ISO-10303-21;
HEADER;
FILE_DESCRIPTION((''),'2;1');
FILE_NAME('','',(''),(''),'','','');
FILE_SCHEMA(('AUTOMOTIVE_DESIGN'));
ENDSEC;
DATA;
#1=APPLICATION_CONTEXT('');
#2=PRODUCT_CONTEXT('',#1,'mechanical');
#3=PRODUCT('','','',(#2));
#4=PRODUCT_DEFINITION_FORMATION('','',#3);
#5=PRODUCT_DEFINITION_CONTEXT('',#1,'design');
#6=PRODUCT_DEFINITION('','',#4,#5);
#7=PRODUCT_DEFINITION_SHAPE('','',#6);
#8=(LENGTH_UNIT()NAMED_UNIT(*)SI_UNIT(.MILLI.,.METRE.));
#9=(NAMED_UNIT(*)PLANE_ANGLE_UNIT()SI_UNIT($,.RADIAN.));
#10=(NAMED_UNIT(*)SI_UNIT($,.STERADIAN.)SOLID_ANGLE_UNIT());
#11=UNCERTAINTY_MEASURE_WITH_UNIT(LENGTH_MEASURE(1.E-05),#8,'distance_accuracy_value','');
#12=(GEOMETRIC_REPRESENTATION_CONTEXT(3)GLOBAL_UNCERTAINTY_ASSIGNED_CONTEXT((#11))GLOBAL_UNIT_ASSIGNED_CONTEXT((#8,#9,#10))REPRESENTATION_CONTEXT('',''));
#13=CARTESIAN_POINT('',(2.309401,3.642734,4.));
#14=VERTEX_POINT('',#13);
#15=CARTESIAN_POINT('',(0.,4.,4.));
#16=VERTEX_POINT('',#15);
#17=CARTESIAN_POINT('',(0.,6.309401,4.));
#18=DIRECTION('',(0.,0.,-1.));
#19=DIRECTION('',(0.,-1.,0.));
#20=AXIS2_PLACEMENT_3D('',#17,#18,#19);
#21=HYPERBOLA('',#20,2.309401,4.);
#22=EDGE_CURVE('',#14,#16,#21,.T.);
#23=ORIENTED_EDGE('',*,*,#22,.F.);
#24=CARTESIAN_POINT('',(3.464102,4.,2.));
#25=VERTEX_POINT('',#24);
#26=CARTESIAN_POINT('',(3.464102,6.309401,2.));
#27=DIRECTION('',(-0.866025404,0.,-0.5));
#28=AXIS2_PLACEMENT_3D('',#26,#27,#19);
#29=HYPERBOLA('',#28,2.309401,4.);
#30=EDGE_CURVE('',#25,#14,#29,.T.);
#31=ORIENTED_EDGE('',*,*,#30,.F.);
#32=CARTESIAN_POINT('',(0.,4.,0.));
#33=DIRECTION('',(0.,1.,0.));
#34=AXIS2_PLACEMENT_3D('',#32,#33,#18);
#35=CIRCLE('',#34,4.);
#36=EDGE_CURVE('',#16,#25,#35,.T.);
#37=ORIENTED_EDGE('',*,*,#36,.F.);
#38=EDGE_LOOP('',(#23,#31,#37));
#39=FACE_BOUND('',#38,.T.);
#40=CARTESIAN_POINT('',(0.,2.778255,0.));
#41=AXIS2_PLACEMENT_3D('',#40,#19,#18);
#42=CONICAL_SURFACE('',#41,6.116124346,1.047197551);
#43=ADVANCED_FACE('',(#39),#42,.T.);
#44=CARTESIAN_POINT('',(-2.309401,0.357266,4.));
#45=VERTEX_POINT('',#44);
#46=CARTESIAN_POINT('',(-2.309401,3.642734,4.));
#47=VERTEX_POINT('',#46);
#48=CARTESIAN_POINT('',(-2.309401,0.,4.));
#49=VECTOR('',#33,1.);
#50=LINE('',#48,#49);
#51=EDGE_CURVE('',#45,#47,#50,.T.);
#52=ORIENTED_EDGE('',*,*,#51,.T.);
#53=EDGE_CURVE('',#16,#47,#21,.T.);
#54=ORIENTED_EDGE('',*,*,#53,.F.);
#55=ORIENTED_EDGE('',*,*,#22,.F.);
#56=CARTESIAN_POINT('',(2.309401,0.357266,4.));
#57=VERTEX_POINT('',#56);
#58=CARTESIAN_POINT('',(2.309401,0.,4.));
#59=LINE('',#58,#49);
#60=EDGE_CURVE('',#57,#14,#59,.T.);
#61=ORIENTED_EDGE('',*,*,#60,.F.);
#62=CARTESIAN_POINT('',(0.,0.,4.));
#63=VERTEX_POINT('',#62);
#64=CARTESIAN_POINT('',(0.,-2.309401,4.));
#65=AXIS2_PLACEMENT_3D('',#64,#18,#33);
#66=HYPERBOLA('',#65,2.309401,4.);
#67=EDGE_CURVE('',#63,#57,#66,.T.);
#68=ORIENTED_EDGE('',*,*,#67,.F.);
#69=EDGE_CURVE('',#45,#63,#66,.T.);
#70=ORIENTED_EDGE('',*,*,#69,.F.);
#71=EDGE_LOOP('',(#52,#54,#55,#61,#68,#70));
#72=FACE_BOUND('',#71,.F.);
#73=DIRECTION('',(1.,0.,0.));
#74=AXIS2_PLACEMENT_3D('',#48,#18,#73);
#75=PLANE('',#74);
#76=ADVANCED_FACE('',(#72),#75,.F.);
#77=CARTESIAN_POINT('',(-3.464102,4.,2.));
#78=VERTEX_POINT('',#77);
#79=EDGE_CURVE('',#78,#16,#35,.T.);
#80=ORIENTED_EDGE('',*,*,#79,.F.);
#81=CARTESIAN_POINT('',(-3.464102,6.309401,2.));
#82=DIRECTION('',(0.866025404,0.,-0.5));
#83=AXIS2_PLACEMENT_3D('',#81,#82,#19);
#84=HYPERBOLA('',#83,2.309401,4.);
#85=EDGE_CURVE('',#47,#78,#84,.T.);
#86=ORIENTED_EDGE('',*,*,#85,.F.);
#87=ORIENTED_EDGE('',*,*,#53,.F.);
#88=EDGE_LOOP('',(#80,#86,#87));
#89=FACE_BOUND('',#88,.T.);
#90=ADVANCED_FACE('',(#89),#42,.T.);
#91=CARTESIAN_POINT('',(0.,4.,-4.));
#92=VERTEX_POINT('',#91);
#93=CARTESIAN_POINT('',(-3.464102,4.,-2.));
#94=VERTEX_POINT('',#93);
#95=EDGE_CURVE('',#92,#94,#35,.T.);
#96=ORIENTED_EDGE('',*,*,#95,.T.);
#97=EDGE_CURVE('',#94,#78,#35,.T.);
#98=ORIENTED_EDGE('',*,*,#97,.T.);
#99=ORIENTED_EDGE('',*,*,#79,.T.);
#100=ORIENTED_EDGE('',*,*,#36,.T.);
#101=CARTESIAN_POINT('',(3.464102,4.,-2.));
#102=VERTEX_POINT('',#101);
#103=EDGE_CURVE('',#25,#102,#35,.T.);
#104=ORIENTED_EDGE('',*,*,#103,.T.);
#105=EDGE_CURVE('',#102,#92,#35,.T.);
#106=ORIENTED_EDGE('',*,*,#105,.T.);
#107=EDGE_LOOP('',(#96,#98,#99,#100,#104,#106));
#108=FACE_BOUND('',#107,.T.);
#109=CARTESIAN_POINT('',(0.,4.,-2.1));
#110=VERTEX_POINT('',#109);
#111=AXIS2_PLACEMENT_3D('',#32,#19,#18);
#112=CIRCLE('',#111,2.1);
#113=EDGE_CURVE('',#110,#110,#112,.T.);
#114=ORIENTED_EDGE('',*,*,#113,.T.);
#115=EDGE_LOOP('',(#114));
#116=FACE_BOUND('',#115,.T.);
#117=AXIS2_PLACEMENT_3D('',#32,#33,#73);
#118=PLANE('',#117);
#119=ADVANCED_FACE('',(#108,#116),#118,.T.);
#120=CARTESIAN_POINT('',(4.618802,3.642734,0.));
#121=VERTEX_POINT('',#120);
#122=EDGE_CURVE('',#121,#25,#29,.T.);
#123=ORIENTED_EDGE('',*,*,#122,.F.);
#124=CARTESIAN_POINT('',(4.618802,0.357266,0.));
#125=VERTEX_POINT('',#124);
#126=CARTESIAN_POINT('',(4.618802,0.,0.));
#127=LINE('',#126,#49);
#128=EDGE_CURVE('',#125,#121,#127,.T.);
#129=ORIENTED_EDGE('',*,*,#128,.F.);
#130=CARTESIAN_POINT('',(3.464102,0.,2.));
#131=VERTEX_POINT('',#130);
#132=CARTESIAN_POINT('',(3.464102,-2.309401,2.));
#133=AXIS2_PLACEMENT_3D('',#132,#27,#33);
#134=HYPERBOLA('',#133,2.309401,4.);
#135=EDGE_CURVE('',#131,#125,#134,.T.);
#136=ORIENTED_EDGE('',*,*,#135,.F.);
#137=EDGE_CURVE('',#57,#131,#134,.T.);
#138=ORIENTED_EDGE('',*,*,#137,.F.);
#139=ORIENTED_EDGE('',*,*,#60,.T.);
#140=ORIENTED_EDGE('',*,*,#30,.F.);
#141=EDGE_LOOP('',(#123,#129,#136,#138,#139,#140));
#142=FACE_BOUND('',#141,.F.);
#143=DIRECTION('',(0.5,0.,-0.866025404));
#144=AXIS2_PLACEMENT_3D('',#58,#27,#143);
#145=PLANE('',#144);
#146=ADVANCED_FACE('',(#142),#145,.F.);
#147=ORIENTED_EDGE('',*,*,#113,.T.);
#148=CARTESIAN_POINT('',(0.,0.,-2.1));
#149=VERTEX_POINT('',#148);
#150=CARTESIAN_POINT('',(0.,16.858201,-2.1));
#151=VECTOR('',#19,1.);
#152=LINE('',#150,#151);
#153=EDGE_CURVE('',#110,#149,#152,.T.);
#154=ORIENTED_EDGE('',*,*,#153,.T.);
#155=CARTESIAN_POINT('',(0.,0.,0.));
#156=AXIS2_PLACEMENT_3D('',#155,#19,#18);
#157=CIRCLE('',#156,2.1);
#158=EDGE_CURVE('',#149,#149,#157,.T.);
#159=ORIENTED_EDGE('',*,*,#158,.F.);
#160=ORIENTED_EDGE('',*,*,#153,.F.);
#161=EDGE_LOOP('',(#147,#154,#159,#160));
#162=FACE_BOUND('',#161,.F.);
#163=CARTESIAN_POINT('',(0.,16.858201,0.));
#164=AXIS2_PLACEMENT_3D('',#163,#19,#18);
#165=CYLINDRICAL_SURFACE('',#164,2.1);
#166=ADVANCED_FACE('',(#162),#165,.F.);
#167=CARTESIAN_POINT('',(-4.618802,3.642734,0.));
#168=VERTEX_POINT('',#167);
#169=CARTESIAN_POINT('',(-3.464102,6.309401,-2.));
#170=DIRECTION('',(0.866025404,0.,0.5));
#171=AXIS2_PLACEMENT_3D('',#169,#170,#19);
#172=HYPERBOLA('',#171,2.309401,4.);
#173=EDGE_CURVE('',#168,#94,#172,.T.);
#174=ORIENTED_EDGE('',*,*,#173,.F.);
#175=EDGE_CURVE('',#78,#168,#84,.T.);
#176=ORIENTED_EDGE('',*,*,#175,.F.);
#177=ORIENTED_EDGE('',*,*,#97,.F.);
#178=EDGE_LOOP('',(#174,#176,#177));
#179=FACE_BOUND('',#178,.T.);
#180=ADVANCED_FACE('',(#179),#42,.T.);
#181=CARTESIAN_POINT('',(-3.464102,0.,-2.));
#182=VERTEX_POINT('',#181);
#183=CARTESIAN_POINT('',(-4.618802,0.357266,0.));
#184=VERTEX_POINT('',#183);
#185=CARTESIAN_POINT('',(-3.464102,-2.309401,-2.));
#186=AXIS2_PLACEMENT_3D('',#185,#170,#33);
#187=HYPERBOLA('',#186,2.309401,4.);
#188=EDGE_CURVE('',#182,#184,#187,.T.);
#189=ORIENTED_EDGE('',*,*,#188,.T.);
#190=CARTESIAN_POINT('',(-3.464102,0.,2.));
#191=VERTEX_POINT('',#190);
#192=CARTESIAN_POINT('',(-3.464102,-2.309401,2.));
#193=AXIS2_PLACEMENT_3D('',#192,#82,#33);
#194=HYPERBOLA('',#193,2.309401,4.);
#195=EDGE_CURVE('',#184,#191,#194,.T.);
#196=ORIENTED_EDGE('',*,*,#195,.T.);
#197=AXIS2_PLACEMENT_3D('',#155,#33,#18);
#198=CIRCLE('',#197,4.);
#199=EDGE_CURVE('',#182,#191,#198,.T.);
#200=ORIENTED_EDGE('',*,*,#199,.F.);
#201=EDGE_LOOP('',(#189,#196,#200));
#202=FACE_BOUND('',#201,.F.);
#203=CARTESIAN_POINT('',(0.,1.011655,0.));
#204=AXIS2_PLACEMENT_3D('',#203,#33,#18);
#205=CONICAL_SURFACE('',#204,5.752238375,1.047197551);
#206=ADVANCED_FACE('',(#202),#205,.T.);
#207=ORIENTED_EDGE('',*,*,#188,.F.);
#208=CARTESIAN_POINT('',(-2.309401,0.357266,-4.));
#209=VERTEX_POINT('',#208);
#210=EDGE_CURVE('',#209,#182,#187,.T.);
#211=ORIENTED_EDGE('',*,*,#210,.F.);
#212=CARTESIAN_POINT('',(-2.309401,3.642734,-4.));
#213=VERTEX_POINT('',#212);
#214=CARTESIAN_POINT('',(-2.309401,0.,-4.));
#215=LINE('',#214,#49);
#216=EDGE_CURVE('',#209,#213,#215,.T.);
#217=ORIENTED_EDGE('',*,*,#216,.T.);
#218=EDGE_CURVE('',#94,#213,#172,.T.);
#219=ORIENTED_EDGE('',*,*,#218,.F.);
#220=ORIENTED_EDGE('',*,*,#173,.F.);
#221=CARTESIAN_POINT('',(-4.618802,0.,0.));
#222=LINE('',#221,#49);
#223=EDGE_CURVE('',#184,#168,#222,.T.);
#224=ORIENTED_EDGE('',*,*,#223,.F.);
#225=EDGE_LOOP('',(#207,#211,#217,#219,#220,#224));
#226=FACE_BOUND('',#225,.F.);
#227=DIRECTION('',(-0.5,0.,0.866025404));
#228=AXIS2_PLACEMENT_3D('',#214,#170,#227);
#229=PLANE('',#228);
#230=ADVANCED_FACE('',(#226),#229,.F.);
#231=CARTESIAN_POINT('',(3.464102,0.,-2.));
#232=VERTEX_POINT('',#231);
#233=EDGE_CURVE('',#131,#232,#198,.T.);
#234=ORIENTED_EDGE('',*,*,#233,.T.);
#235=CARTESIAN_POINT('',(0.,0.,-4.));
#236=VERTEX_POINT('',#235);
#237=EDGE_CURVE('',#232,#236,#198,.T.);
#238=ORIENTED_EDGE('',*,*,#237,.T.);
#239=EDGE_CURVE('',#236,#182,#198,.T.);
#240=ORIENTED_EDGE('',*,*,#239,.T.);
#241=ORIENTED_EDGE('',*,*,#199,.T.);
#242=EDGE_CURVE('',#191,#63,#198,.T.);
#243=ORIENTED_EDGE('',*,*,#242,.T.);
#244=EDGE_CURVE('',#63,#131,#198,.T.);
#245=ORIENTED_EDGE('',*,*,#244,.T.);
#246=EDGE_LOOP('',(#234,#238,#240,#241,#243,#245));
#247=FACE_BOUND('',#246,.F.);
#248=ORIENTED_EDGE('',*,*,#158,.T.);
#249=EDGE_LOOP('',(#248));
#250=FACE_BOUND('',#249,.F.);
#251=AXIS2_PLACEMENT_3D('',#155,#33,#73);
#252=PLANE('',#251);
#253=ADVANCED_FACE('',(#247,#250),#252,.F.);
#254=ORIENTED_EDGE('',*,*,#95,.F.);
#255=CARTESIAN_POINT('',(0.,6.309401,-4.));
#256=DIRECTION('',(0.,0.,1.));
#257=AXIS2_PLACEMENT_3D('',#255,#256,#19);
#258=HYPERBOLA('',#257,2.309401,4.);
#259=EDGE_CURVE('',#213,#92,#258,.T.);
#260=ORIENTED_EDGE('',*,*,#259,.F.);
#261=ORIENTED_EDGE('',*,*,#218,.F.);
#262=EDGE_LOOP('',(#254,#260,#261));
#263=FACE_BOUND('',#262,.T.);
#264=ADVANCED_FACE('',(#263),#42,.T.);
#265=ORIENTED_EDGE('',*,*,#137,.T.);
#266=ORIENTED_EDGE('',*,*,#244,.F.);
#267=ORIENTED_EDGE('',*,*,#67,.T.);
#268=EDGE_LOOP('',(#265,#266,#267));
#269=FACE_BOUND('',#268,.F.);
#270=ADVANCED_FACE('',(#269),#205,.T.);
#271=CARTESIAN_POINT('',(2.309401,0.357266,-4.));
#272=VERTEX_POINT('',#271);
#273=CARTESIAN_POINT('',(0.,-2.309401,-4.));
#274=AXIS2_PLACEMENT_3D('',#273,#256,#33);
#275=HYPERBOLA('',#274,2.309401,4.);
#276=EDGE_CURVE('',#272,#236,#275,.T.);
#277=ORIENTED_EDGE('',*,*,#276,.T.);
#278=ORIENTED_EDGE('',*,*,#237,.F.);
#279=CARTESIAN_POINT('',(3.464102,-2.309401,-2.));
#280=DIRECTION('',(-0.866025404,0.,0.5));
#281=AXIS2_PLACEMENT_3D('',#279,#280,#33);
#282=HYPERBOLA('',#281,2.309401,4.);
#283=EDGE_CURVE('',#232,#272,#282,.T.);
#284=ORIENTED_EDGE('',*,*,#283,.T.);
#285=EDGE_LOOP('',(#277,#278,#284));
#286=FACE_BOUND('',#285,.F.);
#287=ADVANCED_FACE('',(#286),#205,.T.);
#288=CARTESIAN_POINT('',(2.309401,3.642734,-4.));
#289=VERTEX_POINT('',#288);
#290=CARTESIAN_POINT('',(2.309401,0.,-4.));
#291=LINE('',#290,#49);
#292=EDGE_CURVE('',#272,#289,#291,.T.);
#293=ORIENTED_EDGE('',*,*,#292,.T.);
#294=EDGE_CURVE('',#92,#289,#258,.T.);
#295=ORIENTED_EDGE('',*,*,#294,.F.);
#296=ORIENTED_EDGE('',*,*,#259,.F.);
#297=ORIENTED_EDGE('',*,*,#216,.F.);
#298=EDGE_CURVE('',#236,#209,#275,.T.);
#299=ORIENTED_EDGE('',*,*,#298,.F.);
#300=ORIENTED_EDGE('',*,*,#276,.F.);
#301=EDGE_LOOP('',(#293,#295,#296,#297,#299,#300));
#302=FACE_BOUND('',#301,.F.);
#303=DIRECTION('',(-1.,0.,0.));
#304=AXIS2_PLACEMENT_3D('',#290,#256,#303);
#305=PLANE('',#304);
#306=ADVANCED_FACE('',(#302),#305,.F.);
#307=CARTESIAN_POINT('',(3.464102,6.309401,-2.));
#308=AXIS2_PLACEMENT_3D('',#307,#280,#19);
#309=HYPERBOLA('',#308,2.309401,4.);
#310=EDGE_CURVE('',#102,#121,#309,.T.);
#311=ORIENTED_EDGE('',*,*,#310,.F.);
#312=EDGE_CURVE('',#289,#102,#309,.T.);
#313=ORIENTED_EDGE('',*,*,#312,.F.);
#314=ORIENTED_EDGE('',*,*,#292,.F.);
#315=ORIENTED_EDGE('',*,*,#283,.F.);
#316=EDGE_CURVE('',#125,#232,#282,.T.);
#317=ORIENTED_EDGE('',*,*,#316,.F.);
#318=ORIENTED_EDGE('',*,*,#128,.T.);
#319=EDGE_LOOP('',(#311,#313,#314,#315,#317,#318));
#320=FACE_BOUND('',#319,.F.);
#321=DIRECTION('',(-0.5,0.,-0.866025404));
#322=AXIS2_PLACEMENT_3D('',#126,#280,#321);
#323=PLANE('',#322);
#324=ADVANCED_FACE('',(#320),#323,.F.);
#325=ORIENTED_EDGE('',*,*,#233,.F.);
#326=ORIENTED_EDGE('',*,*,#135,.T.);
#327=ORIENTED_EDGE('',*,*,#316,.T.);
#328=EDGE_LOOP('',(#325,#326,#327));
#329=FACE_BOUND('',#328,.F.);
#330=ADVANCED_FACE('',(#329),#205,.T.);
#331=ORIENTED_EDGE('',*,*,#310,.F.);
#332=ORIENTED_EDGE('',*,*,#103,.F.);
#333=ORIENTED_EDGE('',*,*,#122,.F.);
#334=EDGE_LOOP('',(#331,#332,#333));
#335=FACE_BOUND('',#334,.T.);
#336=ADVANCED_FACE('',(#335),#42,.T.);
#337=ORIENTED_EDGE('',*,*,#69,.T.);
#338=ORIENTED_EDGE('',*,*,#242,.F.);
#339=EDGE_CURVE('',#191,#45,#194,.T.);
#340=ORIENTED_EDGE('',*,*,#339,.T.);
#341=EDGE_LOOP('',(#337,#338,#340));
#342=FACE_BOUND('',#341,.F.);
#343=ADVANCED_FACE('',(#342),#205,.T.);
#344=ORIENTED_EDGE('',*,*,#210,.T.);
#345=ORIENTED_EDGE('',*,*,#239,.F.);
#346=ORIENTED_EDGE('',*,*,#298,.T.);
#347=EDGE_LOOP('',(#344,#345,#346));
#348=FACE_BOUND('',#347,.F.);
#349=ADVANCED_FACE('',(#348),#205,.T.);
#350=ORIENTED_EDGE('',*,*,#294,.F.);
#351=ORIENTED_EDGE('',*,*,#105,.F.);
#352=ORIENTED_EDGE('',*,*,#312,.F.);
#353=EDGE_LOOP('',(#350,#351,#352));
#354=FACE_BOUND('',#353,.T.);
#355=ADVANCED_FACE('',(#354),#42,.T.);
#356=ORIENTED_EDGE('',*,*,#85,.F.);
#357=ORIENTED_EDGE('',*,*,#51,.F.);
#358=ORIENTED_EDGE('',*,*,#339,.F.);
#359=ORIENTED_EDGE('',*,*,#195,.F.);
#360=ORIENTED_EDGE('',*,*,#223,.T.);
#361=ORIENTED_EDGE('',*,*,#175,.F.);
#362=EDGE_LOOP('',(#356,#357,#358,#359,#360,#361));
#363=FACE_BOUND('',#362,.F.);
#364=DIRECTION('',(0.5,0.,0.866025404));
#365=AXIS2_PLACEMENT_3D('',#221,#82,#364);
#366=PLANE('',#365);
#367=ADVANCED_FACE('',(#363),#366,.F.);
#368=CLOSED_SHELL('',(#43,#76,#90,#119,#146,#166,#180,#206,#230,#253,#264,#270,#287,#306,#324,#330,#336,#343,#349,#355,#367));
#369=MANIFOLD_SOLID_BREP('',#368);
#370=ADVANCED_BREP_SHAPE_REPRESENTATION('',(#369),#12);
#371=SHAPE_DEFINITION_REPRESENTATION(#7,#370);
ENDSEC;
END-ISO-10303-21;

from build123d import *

# Parameters (mm, degrees)
BOSS_EXTRUDE1_DEPTH = 4
M5_TAPPED_HOLE1_D   = 4.2


with BuildPart() as part:
    # Sketch1 → Boss-Extrude1 (new body)
    with BuildSketch(Plane(origin=(0, 0, 0), x_dir=(1, 0, 0), z_dir=(0, 1, 0))):
        Polygon((-2.309401077, -4), (2.309401077, -4), (4.618802154, 0), (2.309401077, 4), (-2.309401077, 4), (-4.618802154, 0), align=None)
    extrude(amount=BOSS_EXTRUDE1_DEPTH)

    # Sketch2 → Cut-Revolve1 (revolve, cut)
    with BuildSketch(Plane(origin=(0, 0, 0), x_dir=(0, 0, -1), z_dir=(1, 0, 0))):
        Polygon((5.752238375, 1.011655298), (4, 0), (5.752238375, 0), align=None)
        Polygon((4, 4), (6.116124346, 4), (6.116124346, 2.778255039), align=None)
    revolve(axis=Axis((0, 0, 0), (0, 1, 0)), mode=Mode.SUBTRACT)

    # M5 Tapped Hole1 (through all)
    with Locations(Plane.ZX.offset(4)):
        with Locations((0, 0)):
            Hole(M5_TAPPED_HOLE1_D / 2)


solid = part.part
